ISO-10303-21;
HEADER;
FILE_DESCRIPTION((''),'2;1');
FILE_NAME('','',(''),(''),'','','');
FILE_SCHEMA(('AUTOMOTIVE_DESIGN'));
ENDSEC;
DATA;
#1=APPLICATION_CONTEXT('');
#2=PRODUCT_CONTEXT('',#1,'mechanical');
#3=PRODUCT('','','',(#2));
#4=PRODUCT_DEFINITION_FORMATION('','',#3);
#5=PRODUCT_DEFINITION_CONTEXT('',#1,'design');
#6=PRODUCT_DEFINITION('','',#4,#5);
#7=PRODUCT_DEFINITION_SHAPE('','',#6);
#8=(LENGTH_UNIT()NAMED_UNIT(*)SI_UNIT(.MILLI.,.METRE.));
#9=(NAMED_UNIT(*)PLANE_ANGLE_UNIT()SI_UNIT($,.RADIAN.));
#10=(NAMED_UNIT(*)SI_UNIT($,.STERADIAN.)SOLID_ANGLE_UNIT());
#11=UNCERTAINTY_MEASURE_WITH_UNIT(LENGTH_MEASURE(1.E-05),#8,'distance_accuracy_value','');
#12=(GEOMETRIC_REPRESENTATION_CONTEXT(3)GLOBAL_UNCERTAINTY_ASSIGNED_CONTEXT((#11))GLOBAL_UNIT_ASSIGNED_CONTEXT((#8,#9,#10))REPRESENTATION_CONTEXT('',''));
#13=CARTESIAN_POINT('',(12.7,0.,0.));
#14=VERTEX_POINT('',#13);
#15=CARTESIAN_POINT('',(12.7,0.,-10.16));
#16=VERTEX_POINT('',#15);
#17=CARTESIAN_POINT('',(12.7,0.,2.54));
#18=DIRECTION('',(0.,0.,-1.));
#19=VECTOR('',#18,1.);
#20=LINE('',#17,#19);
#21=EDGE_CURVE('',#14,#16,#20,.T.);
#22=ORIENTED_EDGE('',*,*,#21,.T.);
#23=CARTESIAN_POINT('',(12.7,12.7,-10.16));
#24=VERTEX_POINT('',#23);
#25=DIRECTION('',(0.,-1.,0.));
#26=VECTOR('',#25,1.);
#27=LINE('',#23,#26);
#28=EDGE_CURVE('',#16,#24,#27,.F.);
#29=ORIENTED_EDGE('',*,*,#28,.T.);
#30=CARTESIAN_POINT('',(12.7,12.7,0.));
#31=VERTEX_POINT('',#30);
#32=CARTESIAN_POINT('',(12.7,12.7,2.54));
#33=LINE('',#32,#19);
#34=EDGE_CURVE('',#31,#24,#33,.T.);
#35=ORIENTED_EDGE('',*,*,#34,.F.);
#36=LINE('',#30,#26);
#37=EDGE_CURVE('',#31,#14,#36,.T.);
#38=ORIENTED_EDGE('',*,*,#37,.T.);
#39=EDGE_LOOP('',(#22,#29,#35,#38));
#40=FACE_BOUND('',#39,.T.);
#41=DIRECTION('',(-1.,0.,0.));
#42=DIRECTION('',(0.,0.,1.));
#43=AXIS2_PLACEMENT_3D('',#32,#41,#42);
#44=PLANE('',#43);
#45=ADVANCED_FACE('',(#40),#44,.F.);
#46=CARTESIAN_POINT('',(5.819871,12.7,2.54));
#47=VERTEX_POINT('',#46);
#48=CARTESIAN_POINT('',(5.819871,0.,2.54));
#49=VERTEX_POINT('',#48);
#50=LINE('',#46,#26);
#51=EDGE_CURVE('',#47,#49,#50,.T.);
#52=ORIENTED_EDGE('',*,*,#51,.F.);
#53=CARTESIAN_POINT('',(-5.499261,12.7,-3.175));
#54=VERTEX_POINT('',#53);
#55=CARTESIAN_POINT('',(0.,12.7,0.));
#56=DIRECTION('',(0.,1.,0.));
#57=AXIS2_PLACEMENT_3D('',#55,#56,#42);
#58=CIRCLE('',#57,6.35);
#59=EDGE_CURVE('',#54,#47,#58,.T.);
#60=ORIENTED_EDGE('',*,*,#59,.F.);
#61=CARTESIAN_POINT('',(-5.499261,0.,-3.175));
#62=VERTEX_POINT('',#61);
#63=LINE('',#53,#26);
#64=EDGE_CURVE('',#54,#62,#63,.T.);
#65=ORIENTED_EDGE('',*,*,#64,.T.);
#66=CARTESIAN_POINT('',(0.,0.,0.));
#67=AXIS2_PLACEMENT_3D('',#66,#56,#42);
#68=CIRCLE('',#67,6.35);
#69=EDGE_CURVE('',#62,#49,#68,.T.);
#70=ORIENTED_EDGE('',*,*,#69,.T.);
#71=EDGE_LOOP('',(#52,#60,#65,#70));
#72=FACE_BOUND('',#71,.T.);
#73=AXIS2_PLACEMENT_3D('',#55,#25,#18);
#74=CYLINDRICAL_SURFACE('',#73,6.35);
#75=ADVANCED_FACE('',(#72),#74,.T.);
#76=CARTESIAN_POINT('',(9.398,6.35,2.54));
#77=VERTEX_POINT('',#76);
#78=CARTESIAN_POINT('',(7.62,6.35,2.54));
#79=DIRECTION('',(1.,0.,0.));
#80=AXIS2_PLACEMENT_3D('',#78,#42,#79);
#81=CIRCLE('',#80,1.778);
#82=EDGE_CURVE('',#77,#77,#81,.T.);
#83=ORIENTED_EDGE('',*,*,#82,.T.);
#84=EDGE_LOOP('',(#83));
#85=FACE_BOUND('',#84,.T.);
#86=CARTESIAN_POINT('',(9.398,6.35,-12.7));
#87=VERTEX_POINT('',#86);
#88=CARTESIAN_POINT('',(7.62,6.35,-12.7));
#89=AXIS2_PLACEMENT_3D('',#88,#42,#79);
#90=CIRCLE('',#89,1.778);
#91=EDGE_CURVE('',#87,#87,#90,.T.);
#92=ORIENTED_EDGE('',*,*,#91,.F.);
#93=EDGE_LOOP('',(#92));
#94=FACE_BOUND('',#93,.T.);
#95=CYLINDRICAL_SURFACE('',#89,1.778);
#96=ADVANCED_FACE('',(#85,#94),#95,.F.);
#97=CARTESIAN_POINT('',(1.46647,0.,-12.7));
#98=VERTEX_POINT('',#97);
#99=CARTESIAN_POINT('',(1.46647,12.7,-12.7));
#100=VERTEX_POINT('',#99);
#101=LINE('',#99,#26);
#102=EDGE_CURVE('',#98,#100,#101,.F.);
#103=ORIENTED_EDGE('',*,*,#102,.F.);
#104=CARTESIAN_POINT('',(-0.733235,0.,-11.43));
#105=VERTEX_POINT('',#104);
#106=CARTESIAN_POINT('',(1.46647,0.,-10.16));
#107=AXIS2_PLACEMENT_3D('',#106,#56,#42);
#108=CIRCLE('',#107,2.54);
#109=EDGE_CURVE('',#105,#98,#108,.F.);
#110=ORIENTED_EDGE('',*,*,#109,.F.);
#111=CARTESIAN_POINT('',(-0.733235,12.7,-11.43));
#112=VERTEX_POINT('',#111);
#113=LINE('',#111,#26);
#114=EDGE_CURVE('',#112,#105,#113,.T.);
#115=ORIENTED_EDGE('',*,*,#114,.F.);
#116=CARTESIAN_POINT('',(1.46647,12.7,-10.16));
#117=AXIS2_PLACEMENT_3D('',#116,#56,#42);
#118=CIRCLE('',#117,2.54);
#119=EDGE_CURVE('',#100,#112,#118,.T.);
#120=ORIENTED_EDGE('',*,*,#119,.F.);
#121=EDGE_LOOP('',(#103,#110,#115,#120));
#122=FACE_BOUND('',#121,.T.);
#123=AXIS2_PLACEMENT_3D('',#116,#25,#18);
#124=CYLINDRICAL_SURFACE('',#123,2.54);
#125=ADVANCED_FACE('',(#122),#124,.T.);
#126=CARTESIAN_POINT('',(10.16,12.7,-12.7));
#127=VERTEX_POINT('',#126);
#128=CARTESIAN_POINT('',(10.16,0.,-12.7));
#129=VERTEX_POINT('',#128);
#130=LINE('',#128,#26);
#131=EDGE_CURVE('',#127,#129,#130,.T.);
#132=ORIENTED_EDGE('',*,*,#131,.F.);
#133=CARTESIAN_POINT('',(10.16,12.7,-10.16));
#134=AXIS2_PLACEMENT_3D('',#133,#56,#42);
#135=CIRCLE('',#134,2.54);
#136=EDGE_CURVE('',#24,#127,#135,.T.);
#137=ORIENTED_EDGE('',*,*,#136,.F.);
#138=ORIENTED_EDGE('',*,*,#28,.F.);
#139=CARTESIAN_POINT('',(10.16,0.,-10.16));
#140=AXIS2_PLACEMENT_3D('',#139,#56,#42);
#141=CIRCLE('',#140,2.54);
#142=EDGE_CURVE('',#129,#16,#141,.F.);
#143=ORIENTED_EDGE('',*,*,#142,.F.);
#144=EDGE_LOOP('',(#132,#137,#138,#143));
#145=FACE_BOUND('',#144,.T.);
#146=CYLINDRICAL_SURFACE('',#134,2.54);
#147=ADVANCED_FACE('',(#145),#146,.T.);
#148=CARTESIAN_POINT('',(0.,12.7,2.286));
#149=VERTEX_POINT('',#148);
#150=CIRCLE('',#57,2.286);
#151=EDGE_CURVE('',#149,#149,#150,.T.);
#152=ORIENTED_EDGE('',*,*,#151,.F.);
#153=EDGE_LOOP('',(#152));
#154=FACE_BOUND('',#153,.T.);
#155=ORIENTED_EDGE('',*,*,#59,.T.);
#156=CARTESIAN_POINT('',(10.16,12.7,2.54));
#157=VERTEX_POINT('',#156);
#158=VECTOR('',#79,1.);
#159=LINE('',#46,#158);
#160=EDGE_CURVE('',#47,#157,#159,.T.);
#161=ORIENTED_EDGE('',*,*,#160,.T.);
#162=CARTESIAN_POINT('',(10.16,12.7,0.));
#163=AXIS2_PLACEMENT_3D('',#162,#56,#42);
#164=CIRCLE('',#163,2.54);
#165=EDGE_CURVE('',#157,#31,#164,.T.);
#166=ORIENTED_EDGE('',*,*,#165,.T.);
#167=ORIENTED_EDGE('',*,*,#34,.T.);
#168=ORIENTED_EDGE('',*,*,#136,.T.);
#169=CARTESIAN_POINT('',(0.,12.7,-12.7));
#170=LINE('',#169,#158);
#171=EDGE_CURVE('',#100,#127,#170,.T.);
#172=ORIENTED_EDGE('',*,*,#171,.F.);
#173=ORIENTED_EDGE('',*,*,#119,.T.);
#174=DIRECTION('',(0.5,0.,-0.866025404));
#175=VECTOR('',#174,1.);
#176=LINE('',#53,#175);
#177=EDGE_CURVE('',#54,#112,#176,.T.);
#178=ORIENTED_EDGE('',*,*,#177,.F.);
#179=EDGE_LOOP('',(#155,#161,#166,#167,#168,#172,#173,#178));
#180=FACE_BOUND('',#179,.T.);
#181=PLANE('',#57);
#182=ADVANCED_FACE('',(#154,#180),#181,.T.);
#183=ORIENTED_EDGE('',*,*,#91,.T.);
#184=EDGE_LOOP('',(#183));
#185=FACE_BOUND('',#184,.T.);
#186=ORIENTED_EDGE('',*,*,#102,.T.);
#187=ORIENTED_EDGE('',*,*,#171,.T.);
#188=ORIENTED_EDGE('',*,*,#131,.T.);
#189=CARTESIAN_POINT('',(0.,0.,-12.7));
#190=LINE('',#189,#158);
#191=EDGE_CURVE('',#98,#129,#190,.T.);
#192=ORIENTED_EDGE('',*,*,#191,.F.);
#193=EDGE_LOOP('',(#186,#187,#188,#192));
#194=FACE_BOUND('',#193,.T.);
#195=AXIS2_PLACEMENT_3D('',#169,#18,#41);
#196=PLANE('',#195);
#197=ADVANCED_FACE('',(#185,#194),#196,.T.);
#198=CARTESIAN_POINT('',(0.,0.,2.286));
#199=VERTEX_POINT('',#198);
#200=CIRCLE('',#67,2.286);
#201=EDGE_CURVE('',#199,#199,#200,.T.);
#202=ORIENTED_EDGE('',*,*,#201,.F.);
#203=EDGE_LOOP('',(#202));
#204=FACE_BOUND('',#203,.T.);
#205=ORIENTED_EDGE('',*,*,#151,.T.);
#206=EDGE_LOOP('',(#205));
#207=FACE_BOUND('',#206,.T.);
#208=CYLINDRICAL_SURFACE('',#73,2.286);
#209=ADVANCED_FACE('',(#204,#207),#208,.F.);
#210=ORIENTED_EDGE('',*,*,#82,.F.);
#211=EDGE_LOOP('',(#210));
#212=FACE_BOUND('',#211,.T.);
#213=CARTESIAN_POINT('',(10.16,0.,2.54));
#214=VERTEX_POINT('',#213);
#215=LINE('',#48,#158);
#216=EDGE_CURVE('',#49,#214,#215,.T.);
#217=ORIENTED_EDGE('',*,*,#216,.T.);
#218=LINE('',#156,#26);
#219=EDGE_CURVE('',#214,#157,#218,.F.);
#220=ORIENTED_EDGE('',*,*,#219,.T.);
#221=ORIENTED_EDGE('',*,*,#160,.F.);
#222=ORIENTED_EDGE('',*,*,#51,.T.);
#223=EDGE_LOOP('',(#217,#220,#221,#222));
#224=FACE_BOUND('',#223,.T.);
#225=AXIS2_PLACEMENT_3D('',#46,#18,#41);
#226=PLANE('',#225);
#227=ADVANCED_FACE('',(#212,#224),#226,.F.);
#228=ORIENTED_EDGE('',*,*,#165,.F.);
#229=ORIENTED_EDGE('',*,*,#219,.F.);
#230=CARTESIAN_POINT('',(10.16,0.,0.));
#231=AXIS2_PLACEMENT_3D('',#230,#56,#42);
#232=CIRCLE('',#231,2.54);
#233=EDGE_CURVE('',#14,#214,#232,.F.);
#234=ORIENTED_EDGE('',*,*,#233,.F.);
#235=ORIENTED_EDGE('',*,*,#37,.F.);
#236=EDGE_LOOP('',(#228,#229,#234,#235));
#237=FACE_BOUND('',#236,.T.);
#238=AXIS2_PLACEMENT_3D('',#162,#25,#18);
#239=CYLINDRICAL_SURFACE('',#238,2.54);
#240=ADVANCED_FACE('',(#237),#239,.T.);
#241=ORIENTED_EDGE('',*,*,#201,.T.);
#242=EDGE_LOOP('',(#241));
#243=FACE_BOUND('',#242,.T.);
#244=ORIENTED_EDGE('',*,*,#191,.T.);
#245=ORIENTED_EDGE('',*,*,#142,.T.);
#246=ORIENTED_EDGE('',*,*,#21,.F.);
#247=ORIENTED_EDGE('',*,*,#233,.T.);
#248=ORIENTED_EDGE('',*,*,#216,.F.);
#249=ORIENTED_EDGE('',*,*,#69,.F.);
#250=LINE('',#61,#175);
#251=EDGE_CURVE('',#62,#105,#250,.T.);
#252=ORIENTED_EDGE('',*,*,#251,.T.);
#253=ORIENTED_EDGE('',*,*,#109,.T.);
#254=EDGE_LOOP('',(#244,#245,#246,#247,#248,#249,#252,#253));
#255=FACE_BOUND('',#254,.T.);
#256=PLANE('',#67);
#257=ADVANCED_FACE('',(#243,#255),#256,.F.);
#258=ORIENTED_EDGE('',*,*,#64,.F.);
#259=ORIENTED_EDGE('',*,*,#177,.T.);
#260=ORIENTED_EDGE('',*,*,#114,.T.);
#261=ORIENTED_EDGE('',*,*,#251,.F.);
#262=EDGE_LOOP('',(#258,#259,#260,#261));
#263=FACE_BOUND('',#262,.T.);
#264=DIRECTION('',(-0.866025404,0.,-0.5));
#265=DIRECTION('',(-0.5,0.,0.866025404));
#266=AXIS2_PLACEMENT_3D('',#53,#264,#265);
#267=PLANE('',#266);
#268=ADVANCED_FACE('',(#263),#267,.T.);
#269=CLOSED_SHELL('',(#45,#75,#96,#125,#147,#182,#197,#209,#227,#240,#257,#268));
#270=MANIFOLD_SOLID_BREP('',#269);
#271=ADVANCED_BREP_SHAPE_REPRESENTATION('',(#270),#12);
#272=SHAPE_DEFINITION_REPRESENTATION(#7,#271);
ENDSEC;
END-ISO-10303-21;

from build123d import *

# Parameters (mm, degrees)
SKETCH1_R           = 2.286
BOSS_EXTRUDE1_DEPTH = 12.7
SKETCH2_R           = 1.778
CUT_EXTRUDE1_DEPTH  = 24.554990979
FILLET1_R           = 2.54


with BuildPart() as part:
    # Sketch1 → Boss-Extrude1 (new body)
    with BuildSketch(Plane(origin=(0, 0, 0), x_dir=(1, 0, 0), z_dir=(0, 1, 0))):
        with BuildLine():
            Line((-5.499261314, 3.175), (0, 12.7))
            Line((0, 12.7), (12.7, 12.7))
            Line((12.7, 12.7), (12.7, -2.54))
            Line((12.7, -2.54), (5.819871133, -2.54))
            ThreePointArc((5.819871133, -2.54), (-2.861992997, -5.668465056), (-5.499261314, 3.175))
        make_face()
        with Locations(Location((0, 0, 0), (0, 0, 270))):
            Circle(SKETCH1_R, mode=Mode.SUBTRACT)
    extrude(amount=BOSS_EXTRUDE1_DEPTH)

    # Sketch2 → Cut-Extrude1 (cut, through all)
    with BuildSketch(Plane.XY.offset(2.54)):
        with Locations((7.62, 6.35)):
            Circle(SKETCH2_R)
    extrude(amount=-CUT_EXTRUDE1_DEPTH, mode=Mode.SUBTRACT)

    # Fillet1
    fillet1_edges = [part.edges().sort_by_distance(p)[0] for p in [
        (0, 6.35, -12.7),
        (12.7, 6.35, -12.7),
        (12.7, 6.35, 2.54),
    ]]
    fillet(fillet1_edges, radius=FILLET1_R)


solid = part.part
